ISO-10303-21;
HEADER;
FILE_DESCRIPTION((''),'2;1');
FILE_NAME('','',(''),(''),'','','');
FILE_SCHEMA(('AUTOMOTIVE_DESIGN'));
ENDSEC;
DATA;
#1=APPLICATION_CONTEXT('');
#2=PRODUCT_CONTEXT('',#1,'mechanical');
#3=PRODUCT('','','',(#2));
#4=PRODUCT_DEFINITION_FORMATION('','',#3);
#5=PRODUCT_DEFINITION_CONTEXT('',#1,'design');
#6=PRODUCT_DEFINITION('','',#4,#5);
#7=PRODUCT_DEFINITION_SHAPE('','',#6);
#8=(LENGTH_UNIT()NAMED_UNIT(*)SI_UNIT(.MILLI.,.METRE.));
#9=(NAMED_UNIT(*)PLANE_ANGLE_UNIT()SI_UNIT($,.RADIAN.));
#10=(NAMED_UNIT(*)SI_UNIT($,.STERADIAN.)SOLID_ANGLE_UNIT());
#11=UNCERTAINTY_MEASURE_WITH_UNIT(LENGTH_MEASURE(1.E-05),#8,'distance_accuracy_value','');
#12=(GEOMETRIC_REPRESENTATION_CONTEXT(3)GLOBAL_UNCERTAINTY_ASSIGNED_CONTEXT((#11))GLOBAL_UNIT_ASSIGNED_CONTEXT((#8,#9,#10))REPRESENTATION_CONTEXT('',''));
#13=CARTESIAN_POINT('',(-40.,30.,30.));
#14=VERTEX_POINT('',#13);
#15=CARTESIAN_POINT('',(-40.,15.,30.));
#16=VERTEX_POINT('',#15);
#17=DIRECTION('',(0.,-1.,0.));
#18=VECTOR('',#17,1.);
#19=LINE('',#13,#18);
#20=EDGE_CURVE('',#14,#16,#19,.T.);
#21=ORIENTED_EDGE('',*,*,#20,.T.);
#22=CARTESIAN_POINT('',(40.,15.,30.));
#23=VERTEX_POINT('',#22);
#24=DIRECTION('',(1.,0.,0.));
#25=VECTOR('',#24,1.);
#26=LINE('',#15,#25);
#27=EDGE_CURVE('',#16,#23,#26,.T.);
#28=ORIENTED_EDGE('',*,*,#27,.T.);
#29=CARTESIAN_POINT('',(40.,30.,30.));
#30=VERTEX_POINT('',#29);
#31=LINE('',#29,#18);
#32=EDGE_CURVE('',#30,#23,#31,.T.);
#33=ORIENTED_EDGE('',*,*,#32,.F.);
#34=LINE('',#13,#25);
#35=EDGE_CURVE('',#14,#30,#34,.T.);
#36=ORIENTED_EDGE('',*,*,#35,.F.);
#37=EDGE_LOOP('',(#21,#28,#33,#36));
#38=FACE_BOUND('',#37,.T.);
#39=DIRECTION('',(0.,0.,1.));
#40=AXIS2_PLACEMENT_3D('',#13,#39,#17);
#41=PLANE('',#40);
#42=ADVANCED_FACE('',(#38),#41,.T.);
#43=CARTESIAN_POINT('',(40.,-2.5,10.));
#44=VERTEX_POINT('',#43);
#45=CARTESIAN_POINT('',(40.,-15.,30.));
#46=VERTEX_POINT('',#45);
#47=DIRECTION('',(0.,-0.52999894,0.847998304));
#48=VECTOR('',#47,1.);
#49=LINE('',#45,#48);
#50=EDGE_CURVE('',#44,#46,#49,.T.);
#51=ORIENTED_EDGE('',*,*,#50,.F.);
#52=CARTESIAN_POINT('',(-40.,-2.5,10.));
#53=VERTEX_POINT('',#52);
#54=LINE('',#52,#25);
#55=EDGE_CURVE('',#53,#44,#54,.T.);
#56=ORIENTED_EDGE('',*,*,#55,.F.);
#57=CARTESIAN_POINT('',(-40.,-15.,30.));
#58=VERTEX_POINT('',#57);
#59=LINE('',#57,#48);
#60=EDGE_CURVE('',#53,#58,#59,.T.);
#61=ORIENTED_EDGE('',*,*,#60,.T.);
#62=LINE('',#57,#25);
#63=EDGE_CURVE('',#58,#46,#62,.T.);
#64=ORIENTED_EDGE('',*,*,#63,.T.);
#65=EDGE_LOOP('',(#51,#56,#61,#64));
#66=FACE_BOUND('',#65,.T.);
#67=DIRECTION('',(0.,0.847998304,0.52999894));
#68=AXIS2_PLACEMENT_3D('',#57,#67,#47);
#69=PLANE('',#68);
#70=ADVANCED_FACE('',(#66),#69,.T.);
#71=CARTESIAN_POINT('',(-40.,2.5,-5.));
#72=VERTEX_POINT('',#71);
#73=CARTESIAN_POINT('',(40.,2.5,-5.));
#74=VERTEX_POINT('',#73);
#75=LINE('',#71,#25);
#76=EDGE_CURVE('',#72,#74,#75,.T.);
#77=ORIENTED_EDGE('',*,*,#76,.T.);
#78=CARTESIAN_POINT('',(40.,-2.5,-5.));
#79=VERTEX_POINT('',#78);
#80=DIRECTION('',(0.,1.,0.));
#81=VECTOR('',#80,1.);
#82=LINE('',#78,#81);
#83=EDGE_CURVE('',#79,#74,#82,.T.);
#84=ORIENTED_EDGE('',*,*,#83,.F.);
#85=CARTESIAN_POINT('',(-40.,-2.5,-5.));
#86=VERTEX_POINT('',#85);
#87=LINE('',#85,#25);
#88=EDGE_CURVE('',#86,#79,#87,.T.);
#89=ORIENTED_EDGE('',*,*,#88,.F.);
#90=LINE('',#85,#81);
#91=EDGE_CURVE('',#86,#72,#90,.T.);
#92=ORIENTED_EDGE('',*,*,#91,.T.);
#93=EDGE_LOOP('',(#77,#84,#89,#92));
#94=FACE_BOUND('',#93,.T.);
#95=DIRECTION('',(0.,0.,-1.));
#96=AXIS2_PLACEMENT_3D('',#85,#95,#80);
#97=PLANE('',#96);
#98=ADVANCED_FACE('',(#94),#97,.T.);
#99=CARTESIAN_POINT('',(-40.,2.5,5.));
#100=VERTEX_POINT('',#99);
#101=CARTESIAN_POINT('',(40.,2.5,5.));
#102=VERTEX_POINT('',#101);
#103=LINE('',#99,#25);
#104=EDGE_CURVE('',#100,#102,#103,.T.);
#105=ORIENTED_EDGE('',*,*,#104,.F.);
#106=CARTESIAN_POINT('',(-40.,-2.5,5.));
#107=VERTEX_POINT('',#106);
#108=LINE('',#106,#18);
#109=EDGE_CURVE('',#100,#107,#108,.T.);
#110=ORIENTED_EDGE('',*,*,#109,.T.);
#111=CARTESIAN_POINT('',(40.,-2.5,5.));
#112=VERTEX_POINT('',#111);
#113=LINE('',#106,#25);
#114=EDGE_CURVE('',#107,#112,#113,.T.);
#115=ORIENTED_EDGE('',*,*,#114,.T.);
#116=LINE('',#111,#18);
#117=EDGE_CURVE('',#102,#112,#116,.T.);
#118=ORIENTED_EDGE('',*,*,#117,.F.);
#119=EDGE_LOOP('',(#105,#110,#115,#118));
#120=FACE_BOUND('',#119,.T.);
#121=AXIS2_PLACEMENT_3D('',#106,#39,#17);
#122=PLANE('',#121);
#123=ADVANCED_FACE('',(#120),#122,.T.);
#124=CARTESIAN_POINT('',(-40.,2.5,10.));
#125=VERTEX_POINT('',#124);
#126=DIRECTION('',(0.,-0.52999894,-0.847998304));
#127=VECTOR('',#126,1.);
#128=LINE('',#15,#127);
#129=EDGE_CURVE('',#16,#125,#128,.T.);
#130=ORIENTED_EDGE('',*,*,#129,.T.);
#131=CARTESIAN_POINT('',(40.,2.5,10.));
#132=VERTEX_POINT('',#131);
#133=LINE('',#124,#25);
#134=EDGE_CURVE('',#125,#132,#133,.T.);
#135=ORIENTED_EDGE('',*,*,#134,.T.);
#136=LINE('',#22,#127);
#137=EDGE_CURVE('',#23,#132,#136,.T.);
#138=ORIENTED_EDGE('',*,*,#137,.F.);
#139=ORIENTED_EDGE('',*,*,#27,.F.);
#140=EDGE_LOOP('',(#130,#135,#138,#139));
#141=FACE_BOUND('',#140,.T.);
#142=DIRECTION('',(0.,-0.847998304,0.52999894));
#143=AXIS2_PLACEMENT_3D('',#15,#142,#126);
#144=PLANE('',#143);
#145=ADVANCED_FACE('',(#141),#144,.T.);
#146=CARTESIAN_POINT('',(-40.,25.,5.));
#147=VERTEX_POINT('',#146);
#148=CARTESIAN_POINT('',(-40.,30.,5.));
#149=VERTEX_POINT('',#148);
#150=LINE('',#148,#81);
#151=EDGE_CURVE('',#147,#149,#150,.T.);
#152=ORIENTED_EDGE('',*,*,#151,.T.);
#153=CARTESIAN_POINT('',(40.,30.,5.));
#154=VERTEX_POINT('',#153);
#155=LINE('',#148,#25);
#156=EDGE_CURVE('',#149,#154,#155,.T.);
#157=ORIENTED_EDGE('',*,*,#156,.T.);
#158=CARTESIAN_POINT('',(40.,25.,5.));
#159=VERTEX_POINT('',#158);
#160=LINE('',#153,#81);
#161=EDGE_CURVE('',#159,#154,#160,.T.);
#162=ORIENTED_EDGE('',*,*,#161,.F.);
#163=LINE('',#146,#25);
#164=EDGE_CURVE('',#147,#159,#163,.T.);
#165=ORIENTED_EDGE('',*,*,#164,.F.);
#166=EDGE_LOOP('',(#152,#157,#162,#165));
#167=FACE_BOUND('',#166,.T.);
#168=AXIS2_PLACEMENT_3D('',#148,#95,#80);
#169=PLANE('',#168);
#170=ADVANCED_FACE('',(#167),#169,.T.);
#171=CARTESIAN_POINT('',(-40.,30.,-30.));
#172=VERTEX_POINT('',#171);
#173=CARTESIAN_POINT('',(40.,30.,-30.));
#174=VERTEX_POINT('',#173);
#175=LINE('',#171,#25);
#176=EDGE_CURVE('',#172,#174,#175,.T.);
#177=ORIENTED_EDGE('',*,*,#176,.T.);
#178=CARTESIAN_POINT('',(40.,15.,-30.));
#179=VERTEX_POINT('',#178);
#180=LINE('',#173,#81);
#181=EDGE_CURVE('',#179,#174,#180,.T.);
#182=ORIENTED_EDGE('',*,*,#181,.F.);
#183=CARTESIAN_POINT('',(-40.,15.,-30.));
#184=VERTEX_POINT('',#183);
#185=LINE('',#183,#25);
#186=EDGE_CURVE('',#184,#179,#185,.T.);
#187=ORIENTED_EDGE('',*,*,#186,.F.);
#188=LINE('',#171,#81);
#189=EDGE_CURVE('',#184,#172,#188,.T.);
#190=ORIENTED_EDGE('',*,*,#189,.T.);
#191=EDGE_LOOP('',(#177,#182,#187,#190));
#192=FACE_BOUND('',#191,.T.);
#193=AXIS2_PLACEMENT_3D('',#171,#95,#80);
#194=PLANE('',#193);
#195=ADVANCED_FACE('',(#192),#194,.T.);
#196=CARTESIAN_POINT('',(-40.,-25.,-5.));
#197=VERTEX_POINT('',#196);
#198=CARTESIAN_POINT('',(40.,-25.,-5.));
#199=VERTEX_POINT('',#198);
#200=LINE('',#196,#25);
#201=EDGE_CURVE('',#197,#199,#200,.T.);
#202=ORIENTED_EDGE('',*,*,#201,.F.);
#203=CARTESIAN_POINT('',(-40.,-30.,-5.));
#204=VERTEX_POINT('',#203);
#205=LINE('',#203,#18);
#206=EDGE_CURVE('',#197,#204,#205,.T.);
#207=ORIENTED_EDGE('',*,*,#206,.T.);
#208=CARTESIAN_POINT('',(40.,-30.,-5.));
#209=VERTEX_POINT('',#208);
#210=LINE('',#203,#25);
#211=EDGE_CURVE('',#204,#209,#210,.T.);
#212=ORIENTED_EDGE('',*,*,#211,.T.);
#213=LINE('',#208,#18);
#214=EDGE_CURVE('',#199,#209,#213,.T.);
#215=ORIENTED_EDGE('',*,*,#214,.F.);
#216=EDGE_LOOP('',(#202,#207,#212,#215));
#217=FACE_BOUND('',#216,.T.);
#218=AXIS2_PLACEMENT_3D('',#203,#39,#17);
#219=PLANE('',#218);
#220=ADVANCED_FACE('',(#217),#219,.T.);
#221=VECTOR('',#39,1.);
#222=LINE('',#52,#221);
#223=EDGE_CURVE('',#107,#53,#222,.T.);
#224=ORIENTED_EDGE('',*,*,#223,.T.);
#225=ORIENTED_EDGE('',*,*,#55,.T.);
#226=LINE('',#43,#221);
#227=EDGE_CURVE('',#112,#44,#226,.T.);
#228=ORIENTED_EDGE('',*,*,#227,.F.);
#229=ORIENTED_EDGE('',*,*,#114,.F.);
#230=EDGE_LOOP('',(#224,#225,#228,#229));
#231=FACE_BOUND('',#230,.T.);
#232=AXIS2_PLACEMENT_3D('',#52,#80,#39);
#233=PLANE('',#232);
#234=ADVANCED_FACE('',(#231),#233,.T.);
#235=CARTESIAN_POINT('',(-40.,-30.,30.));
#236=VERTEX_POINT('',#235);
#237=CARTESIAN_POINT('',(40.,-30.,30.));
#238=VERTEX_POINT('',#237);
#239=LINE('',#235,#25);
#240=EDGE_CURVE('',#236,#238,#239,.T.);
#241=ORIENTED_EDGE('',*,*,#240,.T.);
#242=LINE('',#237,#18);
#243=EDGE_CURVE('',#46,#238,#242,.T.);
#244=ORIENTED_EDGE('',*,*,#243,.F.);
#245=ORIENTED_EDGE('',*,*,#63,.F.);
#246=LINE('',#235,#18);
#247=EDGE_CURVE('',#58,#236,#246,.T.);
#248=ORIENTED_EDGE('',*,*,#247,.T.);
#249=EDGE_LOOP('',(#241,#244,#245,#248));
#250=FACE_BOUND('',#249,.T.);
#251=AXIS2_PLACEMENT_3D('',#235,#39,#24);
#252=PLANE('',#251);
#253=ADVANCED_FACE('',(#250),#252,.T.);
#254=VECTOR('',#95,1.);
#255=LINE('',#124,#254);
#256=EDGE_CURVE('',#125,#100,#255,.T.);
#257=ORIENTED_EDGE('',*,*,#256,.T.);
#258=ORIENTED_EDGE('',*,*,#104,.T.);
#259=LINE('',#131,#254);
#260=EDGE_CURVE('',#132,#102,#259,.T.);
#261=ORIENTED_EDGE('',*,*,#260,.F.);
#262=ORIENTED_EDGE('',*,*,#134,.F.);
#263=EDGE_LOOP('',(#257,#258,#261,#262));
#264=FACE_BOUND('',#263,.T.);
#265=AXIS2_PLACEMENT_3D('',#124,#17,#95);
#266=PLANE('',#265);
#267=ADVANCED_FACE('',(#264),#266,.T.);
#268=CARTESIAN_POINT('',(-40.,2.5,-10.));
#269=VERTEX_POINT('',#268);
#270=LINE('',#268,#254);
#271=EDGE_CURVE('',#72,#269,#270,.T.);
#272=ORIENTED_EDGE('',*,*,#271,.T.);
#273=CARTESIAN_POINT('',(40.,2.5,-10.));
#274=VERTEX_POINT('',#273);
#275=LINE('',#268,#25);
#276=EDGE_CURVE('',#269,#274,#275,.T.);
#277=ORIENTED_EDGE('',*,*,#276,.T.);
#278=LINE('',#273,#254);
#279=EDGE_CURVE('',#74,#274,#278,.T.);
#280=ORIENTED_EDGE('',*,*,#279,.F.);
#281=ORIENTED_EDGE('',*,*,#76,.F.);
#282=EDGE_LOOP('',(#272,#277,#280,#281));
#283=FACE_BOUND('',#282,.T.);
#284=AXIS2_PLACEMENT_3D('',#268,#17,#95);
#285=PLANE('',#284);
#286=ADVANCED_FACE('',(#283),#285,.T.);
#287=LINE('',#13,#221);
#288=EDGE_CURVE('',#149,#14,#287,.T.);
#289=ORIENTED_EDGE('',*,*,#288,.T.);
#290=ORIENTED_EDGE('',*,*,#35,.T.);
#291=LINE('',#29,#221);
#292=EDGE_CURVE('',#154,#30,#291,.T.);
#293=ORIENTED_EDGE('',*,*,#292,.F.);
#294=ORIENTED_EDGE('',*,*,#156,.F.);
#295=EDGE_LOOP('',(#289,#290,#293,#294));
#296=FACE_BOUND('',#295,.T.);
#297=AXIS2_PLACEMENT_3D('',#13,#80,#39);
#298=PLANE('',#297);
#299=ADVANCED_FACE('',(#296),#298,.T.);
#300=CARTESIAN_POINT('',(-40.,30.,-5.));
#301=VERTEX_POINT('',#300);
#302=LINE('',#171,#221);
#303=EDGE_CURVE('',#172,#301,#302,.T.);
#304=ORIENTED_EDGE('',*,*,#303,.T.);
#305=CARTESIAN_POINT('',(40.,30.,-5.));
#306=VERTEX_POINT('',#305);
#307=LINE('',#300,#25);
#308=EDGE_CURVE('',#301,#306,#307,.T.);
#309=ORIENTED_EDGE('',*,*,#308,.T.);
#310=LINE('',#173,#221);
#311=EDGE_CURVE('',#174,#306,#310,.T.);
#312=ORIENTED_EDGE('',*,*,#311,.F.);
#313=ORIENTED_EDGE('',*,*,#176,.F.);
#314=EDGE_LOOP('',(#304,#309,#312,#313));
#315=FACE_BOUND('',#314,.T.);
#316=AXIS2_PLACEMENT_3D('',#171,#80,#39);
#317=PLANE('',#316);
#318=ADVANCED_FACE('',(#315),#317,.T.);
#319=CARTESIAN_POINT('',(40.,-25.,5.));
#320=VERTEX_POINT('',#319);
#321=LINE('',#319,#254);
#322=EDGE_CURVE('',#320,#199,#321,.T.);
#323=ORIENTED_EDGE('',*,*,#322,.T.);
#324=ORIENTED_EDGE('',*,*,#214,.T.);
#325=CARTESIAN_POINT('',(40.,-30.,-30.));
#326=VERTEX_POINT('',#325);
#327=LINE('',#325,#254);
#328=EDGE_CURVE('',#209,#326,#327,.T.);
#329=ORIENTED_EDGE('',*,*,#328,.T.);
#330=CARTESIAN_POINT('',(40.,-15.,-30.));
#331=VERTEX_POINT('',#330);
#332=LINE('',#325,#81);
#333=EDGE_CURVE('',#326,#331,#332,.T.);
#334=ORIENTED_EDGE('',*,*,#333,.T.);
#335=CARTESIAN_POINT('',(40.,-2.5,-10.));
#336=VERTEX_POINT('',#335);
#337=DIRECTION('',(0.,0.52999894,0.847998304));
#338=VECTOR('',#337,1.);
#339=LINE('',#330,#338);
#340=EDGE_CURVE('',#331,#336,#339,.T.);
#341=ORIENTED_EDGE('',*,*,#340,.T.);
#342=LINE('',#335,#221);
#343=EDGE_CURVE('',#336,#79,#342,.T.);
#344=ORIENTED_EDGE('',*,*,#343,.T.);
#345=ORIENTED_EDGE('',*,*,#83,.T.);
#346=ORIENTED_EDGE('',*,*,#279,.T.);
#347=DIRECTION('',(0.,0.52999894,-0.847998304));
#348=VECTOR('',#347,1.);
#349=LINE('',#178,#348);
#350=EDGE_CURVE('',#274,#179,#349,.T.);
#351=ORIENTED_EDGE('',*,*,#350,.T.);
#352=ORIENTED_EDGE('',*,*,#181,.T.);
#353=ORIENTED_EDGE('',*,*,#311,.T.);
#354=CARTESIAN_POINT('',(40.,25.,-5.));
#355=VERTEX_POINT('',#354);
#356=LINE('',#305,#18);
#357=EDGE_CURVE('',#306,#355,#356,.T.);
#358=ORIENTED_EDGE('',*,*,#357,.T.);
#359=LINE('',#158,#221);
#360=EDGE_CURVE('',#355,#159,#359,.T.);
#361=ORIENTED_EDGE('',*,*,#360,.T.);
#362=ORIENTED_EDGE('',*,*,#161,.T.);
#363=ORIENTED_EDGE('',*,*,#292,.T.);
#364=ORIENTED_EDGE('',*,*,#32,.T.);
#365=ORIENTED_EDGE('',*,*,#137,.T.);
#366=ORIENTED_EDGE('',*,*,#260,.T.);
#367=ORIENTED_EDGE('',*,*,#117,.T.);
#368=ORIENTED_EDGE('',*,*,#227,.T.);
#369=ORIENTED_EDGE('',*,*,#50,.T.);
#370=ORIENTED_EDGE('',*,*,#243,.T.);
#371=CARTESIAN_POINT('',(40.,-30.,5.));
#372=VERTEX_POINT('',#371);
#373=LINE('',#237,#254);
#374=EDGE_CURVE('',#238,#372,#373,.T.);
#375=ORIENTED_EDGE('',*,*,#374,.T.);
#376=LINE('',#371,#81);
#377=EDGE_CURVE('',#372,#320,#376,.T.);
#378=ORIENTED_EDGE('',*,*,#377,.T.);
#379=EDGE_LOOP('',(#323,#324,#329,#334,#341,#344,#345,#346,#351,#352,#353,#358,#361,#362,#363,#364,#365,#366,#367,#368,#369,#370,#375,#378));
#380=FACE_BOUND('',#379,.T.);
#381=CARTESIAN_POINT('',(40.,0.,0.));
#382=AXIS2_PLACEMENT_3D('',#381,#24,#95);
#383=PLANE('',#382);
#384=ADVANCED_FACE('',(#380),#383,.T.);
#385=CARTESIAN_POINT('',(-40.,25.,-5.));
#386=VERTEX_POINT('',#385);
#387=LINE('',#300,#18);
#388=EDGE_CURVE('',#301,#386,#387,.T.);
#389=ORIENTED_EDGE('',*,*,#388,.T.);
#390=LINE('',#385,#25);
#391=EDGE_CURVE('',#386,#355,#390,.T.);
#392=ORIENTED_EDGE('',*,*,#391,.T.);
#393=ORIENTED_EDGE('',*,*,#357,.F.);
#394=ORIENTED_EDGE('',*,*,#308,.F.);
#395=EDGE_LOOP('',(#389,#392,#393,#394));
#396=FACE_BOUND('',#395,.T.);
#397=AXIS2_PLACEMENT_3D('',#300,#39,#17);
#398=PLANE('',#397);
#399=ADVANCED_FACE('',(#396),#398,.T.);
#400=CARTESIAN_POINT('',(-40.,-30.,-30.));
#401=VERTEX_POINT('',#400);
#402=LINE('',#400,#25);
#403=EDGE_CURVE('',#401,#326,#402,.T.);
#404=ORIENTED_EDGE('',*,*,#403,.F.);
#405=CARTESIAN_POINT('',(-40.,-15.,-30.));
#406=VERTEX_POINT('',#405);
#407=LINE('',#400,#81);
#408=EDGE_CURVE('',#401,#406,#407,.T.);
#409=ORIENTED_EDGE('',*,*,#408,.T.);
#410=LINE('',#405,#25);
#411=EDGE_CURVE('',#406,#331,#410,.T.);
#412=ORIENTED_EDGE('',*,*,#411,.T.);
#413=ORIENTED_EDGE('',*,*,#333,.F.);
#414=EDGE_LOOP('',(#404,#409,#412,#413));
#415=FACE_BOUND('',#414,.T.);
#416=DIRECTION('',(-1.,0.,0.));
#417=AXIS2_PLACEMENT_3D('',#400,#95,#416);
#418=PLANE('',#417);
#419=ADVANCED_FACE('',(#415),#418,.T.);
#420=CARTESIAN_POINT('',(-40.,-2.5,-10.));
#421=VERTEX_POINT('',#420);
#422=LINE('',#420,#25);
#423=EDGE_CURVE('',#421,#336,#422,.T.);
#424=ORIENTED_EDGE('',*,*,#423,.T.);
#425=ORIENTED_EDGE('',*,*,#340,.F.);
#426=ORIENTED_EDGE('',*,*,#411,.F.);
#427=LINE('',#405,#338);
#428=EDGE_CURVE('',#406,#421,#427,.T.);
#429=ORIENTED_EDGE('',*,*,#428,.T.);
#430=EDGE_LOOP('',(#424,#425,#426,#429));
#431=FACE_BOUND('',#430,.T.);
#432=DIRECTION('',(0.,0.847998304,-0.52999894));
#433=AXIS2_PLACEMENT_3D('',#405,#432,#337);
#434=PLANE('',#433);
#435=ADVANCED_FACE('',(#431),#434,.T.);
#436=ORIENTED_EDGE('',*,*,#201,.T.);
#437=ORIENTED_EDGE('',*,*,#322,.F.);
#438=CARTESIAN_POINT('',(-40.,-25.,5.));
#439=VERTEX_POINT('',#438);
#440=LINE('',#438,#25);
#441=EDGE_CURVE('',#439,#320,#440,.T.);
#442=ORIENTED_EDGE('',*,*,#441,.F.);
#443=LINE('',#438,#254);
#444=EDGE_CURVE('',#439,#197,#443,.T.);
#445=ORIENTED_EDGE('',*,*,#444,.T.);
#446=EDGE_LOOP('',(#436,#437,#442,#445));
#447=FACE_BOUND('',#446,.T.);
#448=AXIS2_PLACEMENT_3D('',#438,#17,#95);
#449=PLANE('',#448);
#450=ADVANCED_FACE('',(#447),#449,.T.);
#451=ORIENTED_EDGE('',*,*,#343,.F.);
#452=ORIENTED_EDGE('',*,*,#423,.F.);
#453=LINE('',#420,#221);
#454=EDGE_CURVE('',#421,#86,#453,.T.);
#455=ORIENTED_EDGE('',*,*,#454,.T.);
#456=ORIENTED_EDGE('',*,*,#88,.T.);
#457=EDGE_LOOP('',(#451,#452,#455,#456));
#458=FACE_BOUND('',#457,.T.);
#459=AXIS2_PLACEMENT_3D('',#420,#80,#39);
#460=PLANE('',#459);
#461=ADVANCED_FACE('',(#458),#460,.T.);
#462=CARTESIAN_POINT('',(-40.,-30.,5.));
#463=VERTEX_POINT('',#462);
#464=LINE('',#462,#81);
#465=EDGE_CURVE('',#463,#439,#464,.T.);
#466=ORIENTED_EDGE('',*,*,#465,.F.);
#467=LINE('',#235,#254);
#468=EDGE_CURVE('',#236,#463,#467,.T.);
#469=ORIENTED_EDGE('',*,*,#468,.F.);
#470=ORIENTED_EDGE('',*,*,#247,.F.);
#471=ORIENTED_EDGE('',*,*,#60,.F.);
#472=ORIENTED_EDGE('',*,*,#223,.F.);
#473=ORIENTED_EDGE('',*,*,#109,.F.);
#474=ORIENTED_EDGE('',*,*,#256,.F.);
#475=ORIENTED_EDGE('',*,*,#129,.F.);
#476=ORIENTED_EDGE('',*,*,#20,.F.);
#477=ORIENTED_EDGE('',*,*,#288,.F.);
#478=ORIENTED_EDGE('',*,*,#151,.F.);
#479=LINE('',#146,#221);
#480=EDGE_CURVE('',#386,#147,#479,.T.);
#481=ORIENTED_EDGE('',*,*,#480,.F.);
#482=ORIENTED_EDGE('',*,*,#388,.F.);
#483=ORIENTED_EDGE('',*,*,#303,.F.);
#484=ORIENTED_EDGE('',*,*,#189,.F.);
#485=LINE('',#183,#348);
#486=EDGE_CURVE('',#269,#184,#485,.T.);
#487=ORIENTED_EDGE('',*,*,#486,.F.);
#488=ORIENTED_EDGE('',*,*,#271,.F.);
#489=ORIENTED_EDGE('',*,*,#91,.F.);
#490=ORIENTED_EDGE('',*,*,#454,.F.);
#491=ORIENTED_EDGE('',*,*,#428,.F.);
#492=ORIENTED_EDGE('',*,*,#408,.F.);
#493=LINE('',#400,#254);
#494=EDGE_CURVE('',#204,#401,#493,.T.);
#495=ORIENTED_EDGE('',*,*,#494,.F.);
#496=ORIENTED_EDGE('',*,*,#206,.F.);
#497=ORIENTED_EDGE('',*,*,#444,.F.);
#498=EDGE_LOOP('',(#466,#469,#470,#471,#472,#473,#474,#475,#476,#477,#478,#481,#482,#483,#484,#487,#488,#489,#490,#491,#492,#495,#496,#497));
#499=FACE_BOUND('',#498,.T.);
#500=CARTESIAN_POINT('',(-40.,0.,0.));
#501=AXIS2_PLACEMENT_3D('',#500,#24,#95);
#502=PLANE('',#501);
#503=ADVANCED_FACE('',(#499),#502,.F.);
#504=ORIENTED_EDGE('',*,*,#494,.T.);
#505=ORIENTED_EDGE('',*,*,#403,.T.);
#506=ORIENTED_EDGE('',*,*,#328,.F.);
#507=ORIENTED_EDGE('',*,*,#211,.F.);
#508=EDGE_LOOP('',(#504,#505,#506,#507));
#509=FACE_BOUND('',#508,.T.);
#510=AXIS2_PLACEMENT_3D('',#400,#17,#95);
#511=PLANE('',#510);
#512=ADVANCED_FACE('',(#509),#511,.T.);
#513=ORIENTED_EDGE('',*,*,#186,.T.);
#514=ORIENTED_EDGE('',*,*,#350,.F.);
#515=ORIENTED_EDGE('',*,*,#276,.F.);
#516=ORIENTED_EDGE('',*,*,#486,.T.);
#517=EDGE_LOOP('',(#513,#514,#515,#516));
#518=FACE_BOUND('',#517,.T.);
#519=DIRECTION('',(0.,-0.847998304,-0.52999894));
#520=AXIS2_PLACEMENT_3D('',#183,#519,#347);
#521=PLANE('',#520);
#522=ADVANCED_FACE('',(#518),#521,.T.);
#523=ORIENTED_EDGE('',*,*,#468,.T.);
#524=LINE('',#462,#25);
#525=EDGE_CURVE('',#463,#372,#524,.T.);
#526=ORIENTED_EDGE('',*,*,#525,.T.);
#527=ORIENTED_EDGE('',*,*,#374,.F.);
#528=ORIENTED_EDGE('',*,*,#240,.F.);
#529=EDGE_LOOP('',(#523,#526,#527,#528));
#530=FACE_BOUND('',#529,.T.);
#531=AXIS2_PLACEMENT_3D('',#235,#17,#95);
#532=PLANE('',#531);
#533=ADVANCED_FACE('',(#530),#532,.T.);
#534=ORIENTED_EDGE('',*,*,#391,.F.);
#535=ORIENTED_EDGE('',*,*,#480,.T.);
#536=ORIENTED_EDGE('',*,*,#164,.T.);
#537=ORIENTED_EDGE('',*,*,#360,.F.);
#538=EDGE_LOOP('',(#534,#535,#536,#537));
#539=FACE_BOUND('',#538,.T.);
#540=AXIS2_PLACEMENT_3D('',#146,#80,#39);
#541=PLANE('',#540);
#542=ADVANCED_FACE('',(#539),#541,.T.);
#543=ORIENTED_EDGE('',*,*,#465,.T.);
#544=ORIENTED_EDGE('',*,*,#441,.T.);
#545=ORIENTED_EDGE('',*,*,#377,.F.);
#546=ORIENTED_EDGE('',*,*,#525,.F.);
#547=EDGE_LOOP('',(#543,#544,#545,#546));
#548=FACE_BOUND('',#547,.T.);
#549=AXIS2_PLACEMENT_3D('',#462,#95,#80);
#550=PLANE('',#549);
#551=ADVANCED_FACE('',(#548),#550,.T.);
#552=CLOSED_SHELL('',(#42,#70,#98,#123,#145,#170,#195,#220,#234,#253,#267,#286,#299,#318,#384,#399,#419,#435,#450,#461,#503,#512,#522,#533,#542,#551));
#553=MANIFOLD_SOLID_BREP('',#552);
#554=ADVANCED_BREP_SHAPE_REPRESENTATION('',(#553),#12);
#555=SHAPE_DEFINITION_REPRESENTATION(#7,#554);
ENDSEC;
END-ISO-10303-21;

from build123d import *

# Parameters (mm, degrees)
BOSS_EXTRUDE1_DEPTH = 40


with BuildPart() as part:
    # Sketch1 → Boss-Extrude1 (new, symmetric)
    with BuildSketch(Plane.YZ):
        Polygon((-30, 30), (-15, 30), (-2.5, 10), (-2.5, 5), (2.5, 5), (2.5, 10), (15, 30), (30, 30), (30, 5), (25, 5), (25, -5), (30, -5), (30, -30), (15, -30), (2.5, -10), (2.5, -5), (-2.5, -5), (-2.5, -10), (-15, -30), (-30, -30), (-30, -5), (-25, -5), (-25, 5), (-30, 5), align=None)
    extrude(amount=BOSS_EXTRUDE1_DEPTH, both=True)


solid = part.part
